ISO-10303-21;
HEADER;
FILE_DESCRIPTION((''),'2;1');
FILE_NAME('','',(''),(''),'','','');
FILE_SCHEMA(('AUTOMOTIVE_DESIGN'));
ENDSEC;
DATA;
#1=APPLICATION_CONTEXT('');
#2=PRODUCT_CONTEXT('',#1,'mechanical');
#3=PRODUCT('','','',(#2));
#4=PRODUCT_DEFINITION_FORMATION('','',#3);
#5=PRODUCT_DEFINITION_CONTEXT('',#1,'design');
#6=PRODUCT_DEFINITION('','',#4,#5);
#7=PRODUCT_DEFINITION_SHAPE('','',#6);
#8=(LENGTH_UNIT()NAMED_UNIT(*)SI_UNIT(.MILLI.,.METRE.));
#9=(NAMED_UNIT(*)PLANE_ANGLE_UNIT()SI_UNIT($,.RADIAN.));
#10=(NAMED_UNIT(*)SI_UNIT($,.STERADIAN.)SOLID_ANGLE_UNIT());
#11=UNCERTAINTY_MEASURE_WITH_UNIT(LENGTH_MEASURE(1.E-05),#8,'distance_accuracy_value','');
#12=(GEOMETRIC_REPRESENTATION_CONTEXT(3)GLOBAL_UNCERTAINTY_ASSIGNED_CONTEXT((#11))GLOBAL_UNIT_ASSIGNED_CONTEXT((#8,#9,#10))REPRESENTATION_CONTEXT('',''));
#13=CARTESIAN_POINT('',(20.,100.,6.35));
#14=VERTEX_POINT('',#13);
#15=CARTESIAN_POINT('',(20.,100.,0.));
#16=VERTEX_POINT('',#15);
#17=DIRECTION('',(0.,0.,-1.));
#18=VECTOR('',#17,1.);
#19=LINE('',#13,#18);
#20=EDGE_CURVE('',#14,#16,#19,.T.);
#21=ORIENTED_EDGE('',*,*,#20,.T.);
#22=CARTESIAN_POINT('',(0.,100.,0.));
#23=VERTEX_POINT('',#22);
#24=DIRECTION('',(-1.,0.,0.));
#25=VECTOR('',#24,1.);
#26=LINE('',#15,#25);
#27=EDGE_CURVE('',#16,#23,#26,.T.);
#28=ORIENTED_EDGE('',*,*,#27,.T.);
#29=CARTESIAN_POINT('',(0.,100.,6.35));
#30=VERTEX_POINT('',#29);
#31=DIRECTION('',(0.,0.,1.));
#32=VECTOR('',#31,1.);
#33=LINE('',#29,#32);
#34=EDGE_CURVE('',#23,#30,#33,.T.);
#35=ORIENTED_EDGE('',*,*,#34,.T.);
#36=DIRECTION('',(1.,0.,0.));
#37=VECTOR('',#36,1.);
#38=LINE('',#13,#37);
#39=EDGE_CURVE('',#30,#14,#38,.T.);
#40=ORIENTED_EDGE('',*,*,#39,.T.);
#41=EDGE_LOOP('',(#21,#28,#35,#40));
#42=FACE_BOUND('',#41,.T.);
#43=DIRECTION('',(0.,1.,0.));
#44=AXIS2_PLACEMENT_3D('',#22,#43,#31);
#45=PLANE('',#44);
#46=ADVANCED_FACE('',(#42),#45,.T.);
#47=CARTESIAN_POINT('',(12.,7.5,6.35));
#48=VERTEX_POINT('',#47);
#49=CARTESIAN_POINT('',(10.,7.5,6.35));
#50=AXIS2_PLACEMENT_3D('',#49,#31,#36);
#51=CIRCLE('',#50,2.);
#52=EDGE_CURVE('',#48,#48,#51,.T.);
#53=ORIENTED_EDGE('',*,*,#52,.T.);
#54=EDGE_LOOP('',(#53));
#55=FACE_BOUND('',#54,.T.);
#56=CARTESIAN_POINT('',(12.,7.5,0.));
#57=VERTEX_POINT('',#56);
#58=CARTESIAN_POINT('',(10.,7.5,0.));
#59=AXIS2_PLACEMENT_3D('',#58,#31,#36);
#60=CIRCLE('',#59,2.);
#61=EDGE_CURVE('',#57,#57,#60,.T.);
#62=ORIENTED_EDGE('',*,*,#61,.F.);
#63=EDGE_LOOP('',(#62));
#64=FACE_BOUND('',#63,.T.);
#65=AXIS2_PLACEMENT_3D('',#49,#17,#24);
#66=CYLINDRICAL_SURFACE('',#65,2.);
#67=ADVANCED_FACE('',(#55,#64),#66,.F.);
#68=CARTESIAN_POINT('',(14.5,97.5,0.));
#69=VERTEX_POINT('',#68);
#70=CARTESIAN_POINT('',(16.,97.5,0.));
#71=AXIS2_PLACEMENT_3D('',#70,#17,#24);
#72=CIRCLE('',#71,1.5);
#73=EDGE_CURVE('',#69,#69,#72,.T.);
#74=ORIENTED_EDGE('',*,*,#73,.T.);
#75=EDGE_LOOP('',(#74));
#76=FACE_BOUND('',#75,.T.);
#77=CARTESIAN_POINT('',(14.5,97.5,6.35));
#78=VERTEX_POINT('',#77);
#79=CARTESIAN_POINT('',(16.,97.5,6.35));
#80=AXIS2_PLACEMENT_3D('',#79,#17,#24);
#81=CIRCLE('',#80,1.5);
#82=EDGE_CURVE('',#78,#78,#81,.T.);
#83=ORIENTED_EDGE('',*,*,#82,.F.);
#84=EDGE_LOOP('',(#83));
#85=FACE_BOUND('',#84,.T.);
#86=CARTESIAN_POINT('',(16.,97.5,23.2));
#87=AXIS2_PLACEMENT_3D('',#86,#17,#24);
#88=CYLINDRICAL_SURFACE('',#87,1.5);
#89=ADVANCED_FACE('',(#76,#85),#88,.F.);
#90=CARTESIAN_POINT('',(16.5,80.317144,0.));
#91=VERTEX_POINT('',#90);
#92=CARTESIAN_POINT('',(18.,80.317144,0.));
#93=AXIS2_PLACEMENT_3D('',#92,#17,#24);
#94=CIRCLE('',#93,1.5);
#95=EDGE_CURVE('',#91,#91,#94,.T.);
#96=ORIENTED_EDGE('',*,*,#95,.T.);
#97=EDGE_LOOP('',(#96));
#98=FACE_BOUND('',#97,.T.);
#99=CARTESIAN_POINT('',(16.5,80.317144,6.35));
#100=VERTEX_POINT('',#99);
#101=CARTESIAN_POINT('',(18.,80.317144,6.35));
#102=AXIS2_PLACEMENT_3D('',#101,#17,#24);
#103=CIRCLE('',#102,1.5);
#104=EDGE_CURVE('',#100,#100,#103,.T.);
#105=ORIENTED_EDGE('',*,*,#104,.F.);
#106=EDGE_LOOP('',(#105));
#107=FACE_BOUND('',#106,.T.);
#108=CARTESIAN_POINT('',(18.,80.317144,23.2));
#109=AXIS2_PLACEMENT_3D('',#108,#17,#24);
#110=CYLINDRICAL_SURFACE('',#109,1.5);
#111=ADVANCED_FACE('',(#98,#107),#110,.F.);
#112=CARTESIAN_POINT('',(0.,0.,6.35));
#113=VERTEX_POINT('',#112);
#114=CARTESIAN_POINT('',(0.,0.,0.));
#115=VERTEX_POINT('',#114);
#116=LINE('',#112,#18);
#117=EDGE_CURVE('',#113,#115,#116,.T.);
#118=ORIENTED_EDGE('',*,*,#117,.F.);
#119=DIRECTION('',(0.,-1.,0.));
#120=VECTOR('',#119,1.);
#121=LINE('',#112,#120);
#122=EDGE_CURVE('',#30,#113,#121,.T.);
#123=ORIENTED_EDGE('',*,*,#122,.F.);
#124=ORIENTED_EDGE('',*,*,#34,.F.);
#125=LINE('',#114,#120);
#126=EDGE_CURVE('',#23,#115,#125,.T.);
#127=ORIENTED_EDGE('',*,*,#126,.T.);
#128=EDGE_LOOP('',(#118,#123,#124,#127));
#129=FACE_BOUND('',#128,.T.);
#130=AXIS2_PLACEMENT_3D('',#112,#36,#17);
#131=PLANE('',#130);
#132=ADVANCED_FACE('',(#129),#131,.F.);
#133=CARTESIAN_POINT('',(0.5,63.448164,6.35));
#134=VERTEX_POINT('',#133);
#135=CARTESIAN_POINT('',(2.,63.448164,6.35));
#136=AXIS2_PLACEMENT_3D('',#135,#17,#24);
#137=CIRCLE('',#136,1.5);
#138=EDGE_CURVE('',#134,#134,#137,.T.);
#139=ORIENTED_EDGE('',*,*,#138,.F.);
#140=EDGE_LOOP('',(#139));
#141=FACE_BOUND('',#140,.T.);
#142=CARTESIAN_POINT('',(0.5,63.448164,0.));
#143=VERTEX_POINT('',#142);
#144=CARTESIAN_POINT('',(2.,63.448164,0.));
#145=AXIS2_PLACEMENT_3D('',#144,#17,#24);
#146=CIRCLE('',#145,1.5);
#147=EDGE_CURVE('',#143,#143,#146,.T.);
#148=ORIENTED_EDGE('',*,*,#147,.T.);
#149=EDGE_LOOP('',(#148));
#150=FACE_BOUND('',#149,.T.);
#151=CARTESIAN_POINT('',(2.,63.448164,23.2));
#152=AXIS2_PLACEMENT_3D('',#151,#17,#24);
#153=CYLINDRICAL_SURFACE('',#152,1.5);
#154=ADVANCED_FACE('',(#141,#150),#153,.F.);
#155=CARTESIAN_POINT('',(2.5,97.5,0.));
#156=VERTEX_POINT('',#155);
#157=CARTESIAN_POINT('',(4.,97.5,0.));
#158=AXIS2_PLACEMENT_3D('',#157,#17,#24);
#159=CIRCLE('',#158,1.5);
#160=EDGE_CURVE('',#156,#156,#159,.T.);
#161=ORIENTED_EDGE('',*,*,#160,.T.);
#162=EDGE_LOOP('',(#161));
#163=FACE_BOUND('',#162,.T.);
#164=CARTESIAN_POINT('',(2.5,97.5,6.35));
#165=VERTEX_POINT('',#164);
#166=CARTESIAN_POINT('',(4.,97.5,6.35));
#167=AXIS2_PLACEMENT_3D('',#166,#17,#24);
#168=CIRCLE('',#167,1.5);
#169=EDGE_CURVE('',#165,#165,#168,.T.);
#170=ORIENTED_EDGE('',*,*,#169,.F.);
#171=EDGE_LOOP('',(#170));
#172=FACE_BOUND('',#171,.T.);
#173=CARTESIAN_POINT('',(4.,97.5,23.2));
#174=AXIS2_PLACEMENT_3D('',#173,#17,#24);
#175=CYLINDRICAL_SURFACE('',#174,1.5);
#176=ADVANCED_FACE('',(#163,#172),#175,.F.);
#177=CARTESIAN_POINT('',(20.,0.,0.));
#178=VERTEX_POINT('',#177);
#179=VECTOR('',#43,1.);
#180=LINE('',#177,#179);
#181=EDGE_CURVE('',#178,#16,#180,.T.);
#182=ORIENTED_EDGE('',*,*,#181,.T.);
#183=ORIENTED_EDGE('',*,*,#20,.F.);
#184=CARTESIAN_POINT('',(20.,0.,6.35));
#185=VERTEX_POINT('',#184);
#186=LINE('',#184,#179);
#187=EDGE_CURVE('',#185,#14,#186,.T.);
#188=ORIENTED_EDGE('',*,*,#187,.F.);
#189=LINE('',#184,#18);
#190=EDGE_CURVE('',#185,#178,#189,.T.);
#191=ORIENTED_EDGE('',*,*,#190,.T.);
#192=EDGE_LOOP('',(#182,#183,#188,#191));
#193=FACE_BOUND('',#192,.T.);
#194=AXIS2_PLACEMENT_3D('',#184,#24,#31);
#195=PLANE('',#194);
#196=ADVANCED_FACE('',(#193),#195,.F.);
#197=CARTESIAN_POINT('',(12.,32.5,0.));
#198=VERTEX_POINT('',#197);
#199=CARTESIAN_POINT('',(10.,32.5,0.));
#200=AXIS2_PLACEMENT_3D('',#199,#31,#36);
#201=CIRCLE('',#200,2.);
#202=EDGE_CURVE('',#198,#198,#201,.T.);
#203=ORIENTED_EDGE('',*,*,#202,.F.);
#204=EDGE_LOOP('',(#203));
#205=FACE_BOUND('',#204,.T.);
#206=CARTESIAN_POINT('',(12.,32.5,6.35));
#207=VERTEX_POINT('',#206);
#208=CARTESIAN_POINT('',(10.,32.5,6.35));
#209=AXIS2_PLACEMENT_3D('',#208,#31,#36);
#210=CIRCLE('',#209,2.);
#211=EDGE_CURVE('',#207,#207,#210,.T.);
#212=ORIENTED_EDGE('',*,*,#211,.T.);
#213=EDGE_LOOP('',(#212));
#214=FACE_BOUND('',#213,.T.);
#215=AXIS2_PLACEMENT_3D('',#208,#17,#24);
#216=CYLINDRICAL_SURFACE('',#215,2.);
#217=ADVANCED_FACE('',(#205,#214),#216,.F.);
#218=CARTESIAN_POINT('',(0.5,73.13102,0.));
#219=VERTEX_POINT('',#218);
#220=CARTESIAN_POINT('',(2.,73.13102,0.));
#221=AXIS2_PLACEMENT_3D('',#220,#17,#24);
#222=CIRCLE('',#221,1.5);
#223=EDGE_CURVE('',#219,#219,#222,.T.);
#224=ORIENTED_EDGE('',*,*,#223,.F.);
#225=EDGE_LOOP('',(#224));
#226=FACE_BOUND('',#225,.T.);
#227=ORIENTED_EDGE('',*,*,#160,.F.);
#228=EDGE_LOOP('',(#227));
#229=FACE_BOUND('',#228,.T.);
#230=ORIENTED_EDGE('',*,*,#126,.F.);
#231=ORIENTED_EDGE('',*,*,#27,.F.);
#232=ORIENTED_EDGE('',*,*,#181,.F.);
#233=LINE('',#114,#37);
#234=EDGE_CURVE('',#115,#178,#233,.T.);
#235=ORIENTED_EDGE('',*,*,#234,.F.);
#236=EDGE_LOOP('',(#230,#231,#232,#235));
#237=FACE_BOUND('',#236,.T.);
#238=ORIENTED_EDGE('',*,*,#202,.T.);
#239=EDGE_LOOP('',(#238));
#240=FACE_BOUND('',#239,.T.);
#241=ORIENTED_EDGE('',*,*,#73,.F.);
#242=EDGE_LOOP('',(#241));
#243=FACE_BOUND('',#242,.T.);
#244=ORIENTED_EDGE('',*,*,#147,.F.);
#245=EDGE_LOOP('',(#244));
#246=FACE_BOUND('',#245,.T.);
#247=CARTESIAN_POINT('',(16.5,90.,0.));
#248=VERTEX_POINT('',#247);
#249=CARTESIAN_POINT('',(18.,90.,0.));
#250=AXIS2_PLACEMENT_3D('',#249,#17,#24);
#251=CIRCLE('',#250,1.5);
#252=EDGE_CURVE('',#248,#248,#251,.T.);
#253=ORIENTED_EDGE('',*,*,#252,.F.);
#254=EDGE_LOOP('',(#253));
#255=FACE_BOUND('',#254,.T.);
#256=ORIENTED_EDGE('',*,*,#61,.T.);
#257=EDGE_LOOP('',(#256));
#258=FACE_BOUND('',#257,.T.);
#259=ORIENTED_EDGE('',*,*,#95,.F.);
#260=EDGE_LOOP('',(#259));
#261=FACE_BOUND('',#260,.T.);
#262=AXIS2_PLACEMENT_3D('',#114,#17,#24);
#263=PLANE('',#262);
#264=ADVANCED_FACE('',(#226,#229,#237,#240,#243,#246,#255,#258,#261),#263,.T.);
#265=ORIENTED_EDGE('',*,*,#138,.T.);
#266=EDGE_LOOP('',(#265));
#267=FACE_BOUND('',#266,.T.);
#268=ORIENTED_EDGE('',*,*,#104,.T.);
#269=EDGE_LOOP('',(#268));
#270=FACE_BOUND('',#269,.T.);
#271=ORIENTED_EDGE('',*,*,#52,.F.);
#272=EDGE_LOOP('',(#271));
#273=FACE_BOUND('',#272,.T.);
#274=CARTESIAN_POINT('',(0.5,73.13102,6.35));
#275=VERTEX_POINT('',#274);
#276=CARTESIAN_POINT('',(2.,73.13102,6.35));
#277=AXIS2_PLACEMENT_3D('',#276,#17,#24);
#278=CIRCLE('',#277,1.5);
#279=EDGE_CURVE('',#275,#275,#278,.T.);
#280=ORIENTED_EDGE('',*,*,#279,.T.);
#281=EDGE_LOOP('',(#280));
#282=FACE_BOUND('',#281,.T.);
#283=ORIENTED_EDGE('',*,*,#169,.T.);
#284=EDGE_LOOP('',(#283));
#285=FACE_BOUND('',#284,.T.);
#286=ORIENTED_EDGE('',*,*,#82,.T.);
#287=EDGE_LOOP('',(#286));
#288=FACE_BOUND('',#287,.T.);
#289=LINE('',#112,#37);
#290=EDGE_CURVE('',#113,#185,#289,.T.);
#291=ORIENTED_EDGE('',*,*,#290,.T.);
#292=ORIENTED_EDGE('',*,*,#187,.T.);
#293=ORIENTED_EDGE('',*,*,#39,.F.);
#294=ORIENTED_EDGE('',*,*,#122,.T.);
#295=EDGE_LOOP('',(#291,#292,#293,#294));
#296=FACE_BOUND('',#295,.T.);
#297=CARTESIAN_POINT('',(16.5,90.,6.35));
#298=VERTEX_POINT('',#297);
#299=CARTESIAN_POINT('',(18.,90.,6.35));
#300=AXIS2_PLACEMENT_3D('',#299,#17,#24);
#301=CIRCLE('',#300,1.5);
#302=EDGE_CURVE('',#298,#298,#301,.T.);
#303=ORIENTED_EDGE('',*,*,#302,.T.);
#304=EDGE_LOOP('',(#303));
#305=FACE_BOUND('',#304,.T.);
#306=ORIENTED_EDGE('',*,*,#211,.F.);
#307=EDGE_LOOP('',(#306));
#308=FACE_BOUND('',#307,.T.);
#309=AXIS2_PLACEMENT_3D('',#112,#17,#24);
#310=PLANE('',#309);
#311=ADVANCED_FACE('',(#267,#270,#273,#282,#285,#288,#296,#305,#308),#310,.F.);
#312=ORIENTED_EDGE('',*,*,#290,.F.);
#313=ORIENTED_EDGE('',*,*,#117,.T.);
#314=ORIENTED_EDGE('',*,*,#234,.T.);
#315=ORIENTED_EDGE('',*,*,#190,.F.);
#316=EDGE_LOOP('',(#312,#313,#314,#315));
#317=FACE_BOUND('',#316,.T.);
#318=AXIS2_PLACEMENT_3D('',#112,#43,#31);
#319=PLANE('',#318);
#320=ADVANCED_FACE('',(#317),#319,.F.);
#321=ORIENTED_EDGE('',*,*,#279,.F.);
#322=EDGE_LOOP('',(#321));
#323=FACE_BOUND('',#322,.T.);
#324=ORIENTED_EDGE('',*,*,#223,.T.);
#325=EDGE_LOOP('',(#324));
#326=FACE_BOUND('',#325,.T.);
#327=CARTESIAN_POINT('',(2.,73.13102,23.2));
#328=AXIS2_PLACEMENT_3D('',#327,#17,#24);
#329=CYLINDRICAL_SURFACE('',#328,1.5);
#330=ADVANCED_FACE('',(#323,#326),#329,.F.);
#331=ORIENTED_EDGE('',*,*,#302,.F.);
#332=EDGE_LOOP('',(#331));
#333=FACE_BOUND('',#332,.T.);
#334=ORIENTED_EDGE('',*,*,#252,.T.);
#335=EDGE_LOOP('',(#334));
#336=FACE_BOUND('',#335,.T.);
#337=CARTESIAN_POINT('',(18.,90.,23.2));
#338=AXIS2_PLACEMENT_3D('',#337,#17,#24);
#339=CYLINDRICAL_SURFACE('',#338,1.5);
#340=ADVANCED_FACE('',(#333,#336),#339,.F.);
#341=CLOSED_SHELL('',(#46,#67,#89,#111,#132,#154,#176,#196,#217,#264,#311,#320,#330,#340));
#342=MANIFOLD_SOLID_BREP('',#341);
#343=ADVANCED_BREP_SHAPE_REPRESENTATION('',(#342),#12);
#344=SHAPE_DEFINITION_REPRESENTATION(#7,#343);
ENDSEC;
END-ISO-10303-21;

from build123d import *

# Parameters (mm, degrees)
SKETCH1_W           = 20
SKETCH1_H           = 40
SKETCH1_R           = 2
BOSS_EXTRUDE1_DEPTH = 6.35
SKETCH3_W           = 20
SKETCH3_H           = 6.35
BOSS_EXTRUDE3_DEPTH = 60
SKETCH6_R           = 1.5
CUT_EXTRUDE1_DEPTH  = 23.2


with BuildPart() as part:
    # Sketch1 → Boss-Extrude1 (new body)
    with BuildSketch(Plane.XY):
        with Locations((10, 20)):
            Rectangle(SKETCH1_W, SKETCH1_H)
        with Locations((10, 32.5)):
            Circle(SKETCH1_R, mode=Mode.SUBTRACT)
        with Locations((10, 7.5)):
            Circle(SKETCH1_R, mode=Mode.SUBTRACT)
    extrude(amount=BOSS_EXTRUDE1_DEPTH)

    # Sketch3 → Boss-Extrude3 (add)
    with BuildSketch(Plane(origin=(0, 40, 0), x_dir=(1, 0, 0), z_dir=(0, 1, 0))):
        with Locations((10, -3.175)):
            Rectangle(SKETCH3_W, SKETCH3_H)
    extrude(amount=BOSS_EXTRUDE3_DEPTH)

    # Sketch6 → Cut-Extrude1 (cut)
    with BuildSketch(Plane(origin=(0, 0, 0), x_dir=(-1, 0, 0), z_dir=(0, 0, -1))):
        with Locations((-16, 97.5)):
            Circle(SKETCH6_R)
        with Locations((-4, 97.5)):
            Circle(SKETCH6_R)
        with Locations((-18, 90)):
            Circle(SKETCH6_R)
        with Locations((-2, 63.448163905)):
            Circle(SKETCH6_R)
        with Locations((-2, 73.131019592)):
            Circle(SKETCH6_R)
        with Locations((-18, 80.317144313)):
            Circle(SKETCH6_R)
    extrude(amount=-CUT_EXTRUDE1_DEPTH, mode=Mode.SUBTRACT)


solid = part.part
